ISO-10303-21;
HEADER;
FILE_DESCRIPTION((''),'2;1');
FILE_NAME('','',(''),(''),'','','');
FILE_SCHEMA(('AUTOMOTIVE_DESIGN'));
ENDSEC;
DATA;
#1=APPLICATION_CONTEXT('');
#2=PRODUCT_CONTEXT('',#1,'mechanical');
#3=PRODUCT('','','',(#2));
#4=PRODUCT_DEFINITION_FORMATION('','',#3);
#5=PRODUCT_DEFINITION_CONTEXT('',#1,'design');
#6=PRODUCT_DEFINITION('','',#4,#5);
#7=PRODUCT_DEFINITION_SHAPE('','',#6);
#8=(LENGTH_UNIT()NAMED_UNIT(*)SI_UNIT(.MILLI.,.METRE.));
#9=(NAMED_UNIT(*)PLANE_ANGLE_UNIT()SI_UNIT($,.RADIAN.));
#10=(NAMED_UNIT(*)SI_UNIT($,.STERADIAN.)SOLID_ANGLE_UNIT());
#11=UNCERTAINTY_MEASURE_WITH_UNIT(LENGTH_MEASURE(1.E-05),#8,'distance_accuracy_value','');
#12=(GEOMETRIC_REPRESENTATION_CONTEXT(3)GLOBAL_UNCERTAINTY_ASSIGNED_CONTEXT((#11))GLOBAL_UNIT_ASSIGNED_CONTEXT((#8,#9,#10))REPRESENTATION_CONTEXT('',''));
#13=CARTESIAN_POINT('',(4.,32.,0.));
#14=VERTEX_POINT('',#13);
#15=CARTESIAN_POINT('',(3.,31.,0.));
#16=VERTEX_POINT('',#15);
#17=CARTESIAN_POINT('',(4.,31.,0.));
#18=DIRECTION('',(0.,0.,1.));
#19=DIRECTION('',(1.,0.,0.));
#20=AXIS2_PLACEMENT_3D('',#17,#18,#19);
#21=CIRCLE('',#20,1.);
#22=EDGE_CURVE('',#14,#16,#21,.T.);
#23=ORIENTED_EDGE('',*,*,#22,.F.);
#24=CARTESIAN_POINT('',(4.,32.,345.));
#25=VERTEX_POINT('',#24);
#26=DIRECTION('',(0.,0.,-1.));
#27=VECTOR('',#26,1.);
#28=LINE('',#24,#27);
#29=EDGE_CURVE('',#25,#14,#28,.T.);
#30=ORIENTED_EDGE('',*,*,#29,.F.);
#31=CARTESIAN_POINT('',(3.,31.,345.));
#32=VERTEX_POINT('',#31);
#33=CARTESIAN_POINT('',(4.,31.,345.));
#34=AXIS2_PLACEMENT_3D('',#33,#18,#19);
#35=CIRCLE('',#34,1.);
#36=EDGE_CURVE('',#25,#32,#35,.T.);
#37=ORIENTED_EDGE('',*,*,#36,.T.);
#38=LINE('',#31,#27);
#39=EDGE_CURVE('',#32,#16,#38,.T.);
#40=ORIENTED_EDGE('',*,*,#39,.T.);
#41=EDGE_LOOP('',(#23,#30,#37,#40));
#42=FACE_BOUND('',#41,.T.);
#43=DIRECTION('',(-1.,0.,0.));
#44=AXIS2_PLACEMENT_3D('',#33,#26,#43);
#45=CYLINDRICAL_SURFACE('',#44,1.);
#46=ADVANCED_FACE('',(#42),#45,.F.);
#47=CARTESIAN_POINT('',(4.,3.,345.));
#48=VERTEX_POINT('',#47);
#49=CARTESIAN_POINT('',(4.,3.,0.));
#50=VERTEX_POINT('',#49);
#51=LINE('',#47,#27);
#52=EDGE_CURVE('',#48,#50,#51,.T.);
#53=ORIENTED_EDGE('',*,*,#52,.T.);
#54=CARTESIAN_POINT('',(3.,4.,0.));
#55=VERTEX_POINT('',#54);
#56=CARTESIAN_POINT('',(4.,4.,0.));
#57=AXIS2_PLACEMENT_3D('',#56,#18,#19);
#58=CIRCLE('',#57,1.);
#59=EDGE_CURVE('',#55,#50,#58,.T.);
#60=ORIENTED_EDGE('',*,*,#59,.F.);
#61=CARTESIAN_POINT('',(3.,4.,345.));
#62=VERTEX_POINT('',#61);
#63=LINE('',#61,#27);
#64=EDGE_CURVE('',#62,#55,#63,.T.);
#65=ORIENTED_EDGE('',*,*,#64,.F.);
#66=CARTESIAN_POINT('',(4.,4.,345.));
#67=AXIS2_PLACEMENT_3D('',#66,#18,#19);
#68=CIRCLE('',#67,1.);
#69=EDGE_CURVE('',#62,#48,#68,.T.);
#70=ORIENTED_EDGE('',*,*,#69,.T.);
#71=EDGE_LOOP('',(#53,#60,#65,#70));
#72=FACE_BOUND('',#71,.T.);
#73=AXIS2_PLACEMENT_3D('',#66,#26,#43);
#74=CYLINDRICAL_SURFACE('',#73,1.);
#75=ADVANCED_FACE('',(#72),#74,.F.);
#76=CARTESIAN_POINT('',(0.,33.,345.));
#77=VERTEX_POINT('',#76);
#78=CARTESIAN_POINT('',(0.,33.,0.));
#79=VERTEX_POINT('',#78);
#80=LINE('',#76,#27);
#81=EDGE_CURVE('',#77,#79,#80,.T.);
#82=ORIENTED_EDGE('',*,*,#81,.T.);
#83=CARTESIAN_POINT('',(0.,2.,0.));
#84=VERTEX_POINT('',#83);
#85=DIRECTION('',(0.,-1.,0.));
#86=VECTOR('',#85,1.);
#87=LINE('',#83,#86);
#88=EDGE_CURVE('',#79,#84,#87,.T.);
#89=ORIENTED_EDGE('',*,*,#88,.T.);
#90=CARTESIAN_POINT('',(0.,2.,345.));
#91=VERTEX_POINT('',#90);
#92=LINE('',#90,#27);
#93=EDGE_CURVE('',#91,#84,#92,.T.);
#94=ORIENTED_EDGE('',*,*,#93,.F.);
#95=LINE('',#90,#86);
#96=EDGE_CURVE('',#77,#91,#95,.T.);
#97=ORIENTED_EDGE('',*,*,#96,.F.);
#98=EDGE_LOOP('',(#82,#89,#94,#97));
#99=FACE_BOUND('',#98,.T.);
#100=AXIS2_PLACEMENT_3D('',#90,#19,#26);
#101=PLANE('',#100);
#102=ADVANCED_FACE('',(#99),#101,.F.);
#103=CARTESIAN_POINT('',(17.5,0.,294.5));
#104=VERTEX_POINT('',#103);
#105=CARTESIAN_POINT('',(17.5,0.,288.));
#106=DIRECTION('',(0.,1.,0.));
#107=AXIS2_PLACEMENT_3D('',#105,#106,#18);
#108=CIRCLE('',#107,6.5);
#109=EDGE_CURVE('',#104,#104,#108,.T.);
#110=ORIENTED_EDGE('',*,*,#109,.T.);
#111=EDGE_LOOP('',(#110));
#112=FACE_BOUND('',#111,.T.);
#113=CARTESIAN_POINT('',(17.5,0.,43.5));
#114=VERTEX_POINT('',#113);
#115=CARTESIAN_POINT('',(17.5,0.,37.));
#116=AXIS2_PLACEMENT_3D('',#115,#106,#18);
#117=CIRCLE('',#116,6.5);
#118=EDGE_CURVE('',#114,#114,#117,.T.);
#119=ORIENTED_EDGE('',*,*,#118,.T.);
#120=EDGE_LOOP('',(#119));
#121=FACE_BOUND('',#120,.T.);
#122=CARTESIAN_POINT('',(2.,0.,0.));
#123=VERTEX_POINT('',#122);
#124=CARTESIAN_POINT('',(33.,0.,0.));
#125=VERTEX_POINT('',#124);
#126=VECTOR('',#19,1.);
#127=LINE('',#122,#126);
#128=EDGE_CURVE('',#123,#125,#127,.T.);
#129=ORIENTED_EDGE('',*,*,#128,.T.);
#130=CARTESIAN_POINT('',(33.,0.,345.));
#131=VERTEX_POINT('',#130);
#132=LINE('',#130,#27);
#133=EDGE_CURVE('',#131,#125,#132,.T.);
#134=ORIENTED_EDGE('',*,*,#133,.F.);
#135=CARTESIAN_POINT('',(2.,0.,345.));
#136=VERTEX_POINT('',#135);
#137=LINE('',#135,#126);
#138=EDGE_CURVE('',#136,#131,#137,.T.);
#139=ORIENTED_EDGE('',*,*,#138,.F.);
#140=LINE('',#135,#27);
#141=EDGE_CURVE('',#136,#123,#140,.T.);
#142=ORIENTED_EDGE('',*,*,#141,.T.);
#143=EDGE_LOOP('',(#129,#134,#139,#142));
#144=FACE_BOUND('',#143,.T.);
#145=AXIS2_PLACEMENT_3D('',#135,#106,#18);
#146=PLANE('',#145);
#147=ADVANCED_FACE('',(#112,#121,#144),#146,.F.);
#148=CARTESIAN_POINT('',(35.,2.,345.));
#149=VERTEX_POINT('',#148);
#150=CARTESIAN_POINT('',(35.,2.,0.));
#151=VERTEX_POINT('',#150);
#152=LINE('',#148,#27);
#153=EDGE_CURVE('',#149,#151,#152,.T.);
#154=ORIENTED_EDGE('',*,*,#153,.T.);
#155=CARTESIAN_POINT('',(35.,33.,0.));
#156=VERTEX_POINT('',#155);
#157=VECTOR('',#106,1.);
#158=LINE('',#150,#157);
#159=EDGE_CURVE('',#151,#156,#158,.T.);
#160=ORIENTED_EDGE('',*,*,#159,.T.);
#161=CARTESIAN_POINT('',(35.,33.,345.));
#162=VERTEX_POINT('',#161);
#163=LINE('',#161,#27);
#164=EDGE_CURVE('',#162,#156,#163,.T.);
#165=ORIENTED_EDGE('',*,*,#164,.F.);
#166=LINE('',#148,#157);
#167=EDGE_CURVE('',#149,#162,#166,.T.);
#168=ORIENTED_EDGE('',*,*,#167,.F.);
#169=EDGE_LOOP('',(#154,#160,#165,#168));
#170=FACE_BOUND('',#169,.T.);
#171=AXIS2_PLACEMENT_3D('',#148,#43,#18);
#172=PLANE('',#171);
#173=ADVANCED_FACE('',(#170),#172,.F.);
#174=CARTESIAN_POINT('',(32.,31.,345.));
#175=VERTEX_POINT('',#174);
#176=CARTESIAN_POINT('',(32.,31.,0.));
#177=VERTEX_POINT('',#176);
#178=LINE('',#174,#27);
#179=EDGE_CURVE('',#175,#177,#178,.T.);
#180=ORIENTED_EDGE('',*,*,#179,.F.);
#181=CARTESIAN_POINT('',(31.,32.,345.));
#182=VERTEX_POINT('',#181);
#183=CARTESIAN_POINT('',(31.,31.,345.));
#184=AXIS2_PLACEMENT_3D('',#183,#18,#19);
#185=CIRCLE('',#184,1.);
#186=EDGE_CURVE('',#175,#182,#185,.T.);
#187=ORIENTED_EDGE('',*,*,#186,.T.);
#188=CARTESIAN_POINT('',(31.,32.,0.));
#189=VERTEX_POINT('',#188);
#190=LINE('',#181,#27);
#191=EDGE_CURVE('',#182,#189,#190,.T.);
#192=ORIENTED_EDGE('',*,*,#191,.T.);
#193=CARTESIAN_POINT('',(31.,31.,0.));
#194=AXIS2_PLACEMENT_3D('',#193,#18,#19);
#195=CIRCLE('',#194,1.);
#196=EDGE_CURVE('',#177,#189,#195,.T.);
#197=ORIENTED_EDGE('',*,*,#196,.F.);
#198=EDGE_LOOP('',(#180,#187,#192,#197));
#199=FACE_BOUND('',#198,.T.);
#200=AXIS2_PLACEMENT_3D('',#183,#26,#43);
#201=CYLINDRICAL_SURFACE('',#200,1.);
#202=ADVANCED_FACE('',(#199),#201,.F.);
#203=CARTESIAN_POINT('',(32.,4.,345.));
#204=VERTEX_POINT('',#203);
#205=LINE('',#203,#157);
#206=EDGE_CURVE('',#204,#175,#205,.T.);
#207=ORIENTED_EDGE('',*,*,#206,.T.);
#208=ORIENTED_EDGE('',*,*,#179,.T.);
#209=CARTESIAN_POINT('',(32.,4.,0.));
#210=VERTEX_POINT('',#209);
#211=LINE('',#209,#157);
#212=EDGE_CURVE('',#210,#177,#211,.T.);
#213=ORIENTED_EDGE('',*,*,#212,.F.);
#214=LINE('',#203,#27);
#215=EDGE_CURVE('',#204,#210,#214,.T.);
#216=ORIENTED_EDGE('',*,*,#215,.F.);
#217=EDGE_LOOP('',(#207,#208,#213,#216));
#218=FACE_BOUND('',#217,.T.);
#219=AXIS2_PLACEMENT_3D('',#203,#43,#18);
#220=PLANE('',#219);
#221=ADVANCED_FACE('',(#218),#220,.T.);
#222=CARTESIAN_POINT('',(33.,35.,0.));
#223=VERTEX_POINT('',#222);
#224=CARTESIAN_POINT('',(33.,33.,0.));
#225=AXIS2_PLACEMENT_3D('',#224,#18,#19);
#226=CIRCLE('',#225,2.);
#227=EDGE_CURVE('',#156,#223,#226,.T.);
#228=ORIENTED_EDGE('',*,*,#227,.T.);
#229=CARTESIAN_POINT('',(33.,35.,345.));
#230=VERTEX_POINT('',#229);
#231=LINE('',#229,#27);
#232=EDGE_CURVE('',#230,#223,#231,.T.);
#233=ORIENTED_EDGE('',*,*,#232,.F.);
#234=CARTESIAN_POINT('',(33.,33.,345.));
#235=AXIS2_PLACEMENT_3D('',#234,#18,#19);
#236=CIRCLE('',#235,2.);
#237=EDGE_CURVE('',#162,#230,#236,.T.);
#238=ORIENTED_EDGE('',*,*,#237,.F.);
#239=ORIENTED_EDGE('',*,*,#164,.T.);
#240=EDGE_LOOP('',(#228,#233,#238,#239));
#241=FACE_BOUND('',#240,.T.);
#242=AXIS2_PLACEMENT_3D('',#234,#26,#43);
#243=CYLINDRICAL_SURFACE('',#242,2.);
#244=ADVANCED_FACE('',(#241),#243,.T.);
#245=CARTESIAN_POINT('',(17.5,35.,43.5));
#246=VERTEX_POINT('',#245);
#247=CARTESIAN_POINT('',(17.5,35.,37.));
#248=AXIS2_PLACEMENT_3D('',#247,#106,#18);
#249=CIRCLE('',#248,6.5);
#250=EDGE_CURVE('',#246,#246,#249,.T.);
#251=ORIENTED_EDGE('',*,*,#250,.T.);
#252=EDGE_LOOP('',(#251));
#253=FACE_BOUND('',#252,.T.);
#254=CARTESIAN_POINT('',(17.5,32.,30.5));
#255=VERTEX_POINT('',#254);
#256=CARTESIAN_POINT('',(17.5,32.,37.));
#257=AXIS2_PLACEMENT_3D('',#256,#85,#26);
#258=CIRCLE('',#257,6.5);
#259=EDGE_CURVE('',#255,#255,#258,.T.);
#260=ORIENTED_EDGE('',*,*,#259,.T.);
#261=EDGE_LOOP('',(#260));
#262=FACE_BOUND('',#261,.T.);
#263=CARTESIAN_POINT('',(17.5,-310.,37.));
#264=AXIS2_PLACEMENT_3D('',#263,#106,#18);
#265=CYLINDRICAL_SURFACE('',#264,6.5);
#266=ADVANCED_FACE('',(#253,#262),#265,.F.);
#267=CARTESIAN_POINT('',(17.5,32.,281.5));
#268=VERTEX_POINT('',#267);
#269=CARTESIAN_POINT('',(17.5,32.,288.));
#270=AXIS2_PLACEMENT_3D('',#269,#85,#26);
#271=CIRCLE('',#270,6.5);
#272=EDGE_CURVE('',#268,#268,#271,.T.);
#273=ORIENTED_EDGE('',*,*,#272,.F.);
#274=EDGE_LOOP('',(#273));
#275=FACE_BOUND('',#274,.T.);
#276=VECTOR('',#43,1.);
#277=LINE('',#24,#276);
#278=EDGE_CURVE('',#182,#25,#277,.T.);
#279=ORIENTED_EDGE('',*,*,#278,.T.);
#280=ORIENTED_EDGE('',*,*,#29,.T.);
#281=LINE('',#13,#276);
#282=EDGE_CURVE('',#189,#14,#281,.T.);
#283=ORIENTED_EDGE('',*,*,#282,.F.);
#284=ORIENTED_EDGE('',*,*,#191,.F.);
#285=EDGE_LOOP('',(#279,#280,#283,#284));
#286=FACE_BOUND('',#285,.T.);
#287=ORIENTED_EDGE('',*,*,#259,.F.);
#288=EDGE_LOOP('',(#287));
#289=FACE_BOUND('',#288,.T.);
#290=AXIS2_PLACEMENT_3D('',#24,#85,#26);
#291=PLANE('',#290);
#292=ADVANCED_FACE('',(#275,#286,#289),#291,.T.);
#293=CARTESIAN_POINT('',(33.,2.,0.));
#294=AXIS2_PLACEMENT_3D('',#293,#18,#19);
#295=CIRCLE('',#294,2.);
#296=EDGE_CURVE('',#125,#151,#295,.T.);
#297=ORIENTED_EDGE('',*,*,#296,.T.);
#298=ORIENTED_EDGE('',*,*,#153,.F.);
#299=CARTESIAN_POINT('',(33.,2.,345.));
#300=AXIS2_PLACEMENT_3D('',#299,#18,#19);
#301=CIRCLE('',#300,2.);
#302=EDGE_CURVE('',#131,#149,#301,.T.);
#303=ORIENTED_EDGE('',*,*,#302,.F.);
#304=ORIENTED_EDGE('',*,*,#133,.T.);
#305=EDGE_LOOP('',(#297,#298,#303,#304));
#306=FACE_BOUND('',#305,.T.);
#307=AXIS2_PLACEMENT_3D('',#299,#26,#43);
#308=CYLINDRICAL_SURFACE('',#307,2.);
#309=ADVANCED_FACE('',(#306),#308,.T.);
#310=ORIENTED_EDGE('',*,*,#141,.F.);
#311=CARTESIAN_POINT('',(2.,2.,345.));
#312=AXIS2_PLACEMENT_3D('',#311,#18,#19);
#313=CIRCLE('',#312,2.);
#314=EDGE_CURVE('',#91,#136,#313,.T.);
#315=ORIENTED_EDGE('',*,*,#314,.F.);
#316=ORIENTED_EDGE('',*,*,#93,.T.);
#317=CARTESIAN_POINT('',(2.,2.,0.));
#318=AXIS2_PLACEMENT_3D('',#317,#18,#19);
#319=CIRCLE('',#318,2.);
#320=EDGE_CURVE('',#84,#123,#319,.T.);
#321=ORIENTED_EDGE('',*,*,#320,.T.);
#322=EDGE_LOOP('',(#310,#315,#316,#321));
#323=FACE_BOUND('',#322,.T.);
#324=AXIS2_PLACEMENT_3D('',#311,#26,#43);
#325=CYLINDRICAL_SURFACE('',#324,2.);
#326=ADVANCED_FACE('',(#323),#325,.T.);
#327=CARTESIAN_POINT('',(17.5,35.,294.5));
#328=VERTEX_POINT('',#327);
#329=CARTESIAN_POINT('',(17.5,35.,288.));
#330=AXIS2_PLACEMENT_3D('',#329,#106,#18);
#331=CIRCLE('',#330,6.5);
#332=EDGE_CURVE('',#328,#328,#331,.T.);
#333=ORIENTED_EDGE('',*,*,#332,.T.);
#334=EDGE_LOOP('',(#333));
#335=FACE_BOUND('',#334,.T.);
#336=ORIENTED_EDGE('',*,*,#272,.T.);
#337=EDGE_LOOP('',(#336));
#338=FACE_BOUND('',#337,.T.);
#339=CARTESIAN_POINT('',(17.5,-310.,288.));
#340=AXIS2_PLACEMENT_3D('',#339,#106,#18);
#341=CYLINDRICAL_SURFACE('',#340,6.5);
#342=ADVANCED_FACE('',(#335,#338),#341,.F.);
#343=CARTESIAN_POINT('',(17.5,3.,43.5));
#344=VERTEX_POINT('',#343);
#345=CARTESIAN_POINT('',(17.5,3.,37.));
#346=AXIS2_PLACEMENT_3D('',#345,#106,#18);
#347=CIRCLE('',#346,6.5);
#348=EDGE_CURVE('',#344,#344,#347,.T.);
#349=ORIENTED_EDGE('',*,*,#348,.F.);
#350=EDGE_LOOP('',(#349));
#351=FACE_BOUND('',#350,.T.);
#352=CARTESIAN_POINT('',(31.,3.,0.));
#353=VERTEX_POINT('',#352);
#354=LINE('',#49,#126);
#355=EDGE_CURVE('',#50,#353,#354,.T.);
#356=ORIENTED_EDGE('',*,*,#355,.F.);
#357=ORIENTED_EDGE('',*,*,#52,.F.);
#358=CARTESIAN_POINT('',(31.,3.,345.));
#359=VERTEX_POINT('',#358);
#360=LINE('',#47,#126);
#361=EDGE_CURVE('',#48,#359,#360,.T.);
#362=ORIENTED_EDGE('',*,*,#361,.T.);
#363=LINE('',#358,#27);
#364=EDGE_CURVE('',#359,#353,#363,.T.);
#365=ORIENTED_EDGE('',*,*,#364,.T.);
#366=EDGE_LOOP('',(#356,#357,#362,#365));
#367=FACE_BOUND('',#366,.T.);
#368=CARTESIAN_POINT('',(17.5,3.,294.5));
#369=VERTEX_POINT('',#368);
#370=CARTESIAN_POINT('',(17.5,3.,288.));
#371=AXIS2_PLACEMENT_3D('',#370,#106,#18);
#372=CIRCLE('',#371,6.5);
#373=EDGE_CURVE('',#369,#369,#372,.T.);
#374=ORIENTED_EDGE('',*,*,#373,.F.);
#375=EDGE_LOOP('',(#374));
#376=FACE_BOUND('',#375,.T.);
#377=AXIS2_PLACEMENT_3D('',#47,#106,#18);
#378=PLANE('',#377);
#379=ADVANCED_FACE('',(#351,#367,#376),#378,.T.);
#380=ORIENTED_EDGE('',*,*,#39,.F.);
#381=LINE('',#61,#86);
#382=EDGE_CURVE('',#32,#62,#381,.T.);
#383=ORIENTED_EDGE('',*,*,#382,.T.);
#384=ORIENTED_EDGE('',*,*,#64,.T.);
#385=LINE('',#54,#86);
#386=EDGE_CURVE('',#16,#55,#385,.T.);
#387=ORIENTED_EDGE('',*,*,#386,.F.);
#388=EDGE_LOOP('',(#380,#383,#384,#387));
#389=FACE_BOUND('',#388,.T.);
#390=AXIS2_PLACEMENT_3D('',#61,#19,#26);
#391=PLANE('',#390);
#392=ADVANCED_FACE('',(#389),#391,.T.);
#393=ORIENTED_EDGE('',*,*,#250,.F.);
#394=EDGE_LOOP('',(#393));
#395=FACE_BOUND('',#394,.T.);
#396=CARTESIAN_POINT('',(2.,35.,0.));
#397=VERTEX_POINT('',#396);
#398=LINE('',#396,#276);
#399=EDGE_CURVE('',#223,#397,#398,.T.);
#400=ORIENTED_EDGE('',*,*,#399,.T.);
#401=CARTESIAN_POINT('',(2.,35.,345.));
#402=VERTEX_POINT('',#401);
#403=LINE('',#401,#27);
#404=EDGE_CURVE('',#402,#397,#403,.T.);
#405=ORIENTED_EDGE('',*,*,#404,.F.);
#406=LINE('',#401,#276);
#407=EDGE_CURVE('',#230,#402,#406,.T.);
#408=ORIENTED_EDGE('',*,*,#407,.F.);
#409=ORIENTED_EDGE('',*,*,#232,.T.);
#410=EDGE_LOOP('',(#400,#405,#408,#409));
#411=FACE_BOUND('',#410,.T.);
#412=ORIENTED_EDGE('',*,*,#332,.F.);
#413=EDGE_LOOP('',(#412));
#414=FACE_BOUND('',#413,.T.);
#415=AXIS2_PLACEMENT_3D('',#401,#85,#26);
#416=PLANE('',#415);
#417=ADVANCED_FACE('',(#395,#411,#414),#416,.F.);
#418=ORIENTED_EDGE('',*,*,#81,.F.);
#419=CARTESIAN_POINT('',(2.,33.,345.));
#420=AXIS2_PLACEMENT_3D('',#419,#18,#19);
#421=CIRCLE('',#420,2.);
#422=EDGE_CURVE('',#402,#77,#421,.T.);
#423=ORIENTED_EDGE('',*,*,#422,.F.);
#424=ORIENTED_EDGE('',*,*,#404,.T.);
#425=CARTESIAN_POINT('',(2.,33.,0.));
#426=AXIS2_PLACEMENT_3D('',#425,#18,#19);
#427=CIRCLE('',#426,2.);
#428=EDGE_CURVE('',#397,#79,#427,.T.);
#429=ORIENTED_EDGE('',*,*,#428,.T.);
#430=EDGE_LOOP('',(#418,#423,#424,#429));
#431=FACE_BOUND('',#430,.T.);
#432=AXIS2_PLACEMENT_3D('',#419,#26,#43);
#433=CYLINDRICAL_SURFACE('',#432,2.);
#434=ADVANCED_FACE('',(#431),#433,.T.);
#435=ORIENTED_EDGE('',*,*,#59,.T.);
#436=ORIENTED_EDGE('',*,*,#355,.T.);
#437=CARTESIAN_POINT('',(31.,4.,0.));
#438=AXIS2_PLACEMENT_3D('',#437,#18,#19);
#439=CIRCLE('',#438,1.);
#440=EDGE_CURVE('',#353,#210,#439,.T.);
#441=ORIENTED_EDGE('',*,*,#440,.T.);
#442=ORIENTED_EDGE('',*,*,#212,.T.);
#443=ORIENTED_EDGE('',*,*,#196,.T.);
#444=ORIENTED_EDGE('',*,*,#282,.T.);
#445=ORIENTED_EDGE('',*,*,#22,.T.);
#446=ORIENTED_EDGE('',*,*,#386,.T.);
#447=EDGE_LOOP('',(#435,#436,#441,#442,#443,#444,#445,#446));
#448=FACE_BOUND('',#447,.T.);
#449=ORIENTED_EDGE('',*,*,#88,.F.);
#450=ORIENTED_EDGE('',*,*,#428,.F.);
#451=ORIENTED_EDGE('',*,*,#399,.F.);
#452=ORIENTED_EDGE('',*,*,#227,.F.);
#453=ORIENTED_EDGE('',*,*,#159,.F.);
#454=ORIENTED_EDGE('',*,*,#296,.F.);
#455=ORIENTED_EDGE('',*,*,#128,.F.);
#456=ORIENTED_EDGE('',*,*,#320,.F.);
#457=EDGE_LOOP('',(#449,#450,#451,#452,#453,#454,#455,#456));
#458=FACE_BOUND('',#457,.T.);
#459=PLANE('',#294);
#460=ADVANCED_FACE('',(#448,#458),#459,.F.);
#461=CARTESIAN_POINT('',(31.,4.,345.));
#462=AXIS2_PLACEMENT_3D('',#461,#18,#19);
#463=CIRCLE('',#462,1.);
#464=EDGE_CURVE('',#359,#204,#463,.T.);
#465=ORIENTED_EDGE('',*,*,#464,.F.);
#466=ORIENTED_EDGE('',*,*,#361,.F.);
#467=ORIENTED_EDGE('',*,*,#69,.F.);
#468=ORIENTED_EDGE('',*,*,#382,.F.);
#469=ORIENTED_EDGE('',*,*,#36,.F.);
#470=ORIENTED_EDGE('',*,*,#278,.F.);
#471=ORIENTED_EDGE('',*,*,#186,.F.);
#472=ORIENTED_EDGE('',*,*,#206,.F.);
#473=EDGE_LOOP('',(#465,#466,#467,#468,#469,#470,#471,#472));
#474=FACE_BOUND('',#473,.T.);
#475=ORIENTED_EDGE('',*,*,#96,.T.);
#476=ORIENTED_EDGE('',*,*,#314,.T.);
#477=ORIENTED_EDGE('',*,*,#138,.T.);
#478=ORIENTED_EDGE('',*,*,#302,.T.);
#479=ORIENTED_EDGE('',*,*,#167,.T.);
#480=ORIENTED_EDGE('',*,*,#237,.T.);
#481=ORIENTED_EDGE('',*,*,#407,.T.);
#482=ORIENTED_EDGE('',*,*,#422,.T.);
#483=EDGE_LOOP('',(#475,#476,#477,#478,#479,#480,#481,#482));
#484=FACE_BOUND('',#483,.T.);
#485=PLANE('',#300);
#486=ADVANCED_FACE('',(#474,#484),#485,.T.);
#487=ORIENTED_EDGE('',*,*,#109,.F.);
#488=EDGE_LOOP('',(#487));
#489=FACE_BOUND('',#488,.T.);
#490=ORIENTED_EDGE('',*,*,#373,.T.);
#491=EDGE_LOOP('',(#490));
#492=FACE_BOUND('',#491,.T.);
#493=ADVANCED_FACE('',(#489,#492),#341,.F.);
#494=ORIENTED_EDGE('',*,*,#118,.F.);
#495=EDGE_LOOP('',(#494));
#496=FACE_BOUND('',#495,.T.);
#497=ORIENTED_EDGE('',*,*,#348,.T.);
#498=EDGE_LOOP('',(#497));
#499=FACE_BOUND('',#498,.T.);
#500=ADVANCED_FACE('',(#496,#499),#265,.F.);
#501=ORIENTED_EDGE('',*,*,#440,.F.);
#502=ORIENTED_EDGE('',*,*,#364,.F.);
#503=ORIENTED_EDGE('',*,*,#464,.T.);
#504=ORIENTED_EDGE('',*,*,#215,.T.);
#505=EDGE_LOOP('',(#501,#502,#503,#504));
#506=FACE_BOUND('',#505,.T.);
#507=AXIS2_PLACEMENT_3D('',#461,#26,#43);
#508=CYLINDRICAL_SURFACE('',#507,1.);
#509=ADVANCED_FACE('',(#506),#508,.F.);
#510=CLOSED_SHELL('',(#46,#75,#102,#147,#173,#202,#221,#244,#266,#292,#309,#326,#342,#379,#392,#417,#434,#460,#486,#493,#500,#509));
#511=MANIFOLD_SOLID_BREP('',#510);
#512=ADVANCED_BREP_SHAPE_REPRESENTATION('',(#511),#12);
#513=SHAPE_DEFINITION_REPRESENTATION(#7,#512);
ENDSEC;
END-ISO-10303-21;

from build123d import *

# Parameters (mm, degrees)
DODANIE_WYCI_GNI_CIE1_DEPTH = 345
SZKIC2_R                    = 6.5
WYTNIJ_WYCI_GNI_CIE1_DEPTH  = 345


with BuildPart() as part:
    # Szkic1 → Dodanie-wyciągnięcie1 (new body)
    with BuildSketch(Plane.XY):
        with BuildLine():
            Line((2, 0), (33, 0))
            ThreePointArc((33, 0), (34.414213562, 0.585786438), (35, 2))
            Line((35, 2), (35, 33))
            ThreePointArc((35, 33), (34.414213562, 34.414213562), (33, 35))
            Line((33, 35), (2, 35))
            ThreePointArc((2, 35), (0.585786438, 34.414213562), (0, 33))
            Line((0, 33), (0, 2))
            ThreePointArc((0, 2), (0.585786438, 0.585786438), (2, 0))
        make_face()
        with BuildLine():
            Line((4, 3), (31, 3))
            ThreePointArc((31, 3), (31.707106781, 3.292893219), (32, 4))
            Line((32, 4), (32, 31))
            ThreePointArc((32, 31), (31.707106781, 31.707106781), (31, 32))
            Line((31, 32), (4, 32))
            ThreePointArc((4, 32), (3.292893219, 31.707106781), (3, 31))
            Line((3, 31), (3, 4))
            ThreePointArc((3, 4), (3.292893219, 3.292893219), (4, 3))
        make_face(mode=Mode.SUBTRACT)
    extrude(amount=DODANIE_WYCI_GNI_CIE1_DEPTH)

    # Szkic2 → Wytnij-wyciągnięcie1 (cut)
    with BuildSketch(Plane(origin=(0, 35, 0), x_dir=(1, 0, 0), z_dir=(0, 1, 0))):
        with Locations(Location((17.5, -288, 0), (0, 0, 270))):
            Circle(SZKIC2_R)
        with Locations(Location((17.5, -37, 0), (0, 0, 270))):
            Circle(SZKIC2_R)
    extrude(amount=-WYTNIJ_WYCI_GNI_CIE1_DEPTH, mode=Mode.SUBTRACT)


solid = part.part
